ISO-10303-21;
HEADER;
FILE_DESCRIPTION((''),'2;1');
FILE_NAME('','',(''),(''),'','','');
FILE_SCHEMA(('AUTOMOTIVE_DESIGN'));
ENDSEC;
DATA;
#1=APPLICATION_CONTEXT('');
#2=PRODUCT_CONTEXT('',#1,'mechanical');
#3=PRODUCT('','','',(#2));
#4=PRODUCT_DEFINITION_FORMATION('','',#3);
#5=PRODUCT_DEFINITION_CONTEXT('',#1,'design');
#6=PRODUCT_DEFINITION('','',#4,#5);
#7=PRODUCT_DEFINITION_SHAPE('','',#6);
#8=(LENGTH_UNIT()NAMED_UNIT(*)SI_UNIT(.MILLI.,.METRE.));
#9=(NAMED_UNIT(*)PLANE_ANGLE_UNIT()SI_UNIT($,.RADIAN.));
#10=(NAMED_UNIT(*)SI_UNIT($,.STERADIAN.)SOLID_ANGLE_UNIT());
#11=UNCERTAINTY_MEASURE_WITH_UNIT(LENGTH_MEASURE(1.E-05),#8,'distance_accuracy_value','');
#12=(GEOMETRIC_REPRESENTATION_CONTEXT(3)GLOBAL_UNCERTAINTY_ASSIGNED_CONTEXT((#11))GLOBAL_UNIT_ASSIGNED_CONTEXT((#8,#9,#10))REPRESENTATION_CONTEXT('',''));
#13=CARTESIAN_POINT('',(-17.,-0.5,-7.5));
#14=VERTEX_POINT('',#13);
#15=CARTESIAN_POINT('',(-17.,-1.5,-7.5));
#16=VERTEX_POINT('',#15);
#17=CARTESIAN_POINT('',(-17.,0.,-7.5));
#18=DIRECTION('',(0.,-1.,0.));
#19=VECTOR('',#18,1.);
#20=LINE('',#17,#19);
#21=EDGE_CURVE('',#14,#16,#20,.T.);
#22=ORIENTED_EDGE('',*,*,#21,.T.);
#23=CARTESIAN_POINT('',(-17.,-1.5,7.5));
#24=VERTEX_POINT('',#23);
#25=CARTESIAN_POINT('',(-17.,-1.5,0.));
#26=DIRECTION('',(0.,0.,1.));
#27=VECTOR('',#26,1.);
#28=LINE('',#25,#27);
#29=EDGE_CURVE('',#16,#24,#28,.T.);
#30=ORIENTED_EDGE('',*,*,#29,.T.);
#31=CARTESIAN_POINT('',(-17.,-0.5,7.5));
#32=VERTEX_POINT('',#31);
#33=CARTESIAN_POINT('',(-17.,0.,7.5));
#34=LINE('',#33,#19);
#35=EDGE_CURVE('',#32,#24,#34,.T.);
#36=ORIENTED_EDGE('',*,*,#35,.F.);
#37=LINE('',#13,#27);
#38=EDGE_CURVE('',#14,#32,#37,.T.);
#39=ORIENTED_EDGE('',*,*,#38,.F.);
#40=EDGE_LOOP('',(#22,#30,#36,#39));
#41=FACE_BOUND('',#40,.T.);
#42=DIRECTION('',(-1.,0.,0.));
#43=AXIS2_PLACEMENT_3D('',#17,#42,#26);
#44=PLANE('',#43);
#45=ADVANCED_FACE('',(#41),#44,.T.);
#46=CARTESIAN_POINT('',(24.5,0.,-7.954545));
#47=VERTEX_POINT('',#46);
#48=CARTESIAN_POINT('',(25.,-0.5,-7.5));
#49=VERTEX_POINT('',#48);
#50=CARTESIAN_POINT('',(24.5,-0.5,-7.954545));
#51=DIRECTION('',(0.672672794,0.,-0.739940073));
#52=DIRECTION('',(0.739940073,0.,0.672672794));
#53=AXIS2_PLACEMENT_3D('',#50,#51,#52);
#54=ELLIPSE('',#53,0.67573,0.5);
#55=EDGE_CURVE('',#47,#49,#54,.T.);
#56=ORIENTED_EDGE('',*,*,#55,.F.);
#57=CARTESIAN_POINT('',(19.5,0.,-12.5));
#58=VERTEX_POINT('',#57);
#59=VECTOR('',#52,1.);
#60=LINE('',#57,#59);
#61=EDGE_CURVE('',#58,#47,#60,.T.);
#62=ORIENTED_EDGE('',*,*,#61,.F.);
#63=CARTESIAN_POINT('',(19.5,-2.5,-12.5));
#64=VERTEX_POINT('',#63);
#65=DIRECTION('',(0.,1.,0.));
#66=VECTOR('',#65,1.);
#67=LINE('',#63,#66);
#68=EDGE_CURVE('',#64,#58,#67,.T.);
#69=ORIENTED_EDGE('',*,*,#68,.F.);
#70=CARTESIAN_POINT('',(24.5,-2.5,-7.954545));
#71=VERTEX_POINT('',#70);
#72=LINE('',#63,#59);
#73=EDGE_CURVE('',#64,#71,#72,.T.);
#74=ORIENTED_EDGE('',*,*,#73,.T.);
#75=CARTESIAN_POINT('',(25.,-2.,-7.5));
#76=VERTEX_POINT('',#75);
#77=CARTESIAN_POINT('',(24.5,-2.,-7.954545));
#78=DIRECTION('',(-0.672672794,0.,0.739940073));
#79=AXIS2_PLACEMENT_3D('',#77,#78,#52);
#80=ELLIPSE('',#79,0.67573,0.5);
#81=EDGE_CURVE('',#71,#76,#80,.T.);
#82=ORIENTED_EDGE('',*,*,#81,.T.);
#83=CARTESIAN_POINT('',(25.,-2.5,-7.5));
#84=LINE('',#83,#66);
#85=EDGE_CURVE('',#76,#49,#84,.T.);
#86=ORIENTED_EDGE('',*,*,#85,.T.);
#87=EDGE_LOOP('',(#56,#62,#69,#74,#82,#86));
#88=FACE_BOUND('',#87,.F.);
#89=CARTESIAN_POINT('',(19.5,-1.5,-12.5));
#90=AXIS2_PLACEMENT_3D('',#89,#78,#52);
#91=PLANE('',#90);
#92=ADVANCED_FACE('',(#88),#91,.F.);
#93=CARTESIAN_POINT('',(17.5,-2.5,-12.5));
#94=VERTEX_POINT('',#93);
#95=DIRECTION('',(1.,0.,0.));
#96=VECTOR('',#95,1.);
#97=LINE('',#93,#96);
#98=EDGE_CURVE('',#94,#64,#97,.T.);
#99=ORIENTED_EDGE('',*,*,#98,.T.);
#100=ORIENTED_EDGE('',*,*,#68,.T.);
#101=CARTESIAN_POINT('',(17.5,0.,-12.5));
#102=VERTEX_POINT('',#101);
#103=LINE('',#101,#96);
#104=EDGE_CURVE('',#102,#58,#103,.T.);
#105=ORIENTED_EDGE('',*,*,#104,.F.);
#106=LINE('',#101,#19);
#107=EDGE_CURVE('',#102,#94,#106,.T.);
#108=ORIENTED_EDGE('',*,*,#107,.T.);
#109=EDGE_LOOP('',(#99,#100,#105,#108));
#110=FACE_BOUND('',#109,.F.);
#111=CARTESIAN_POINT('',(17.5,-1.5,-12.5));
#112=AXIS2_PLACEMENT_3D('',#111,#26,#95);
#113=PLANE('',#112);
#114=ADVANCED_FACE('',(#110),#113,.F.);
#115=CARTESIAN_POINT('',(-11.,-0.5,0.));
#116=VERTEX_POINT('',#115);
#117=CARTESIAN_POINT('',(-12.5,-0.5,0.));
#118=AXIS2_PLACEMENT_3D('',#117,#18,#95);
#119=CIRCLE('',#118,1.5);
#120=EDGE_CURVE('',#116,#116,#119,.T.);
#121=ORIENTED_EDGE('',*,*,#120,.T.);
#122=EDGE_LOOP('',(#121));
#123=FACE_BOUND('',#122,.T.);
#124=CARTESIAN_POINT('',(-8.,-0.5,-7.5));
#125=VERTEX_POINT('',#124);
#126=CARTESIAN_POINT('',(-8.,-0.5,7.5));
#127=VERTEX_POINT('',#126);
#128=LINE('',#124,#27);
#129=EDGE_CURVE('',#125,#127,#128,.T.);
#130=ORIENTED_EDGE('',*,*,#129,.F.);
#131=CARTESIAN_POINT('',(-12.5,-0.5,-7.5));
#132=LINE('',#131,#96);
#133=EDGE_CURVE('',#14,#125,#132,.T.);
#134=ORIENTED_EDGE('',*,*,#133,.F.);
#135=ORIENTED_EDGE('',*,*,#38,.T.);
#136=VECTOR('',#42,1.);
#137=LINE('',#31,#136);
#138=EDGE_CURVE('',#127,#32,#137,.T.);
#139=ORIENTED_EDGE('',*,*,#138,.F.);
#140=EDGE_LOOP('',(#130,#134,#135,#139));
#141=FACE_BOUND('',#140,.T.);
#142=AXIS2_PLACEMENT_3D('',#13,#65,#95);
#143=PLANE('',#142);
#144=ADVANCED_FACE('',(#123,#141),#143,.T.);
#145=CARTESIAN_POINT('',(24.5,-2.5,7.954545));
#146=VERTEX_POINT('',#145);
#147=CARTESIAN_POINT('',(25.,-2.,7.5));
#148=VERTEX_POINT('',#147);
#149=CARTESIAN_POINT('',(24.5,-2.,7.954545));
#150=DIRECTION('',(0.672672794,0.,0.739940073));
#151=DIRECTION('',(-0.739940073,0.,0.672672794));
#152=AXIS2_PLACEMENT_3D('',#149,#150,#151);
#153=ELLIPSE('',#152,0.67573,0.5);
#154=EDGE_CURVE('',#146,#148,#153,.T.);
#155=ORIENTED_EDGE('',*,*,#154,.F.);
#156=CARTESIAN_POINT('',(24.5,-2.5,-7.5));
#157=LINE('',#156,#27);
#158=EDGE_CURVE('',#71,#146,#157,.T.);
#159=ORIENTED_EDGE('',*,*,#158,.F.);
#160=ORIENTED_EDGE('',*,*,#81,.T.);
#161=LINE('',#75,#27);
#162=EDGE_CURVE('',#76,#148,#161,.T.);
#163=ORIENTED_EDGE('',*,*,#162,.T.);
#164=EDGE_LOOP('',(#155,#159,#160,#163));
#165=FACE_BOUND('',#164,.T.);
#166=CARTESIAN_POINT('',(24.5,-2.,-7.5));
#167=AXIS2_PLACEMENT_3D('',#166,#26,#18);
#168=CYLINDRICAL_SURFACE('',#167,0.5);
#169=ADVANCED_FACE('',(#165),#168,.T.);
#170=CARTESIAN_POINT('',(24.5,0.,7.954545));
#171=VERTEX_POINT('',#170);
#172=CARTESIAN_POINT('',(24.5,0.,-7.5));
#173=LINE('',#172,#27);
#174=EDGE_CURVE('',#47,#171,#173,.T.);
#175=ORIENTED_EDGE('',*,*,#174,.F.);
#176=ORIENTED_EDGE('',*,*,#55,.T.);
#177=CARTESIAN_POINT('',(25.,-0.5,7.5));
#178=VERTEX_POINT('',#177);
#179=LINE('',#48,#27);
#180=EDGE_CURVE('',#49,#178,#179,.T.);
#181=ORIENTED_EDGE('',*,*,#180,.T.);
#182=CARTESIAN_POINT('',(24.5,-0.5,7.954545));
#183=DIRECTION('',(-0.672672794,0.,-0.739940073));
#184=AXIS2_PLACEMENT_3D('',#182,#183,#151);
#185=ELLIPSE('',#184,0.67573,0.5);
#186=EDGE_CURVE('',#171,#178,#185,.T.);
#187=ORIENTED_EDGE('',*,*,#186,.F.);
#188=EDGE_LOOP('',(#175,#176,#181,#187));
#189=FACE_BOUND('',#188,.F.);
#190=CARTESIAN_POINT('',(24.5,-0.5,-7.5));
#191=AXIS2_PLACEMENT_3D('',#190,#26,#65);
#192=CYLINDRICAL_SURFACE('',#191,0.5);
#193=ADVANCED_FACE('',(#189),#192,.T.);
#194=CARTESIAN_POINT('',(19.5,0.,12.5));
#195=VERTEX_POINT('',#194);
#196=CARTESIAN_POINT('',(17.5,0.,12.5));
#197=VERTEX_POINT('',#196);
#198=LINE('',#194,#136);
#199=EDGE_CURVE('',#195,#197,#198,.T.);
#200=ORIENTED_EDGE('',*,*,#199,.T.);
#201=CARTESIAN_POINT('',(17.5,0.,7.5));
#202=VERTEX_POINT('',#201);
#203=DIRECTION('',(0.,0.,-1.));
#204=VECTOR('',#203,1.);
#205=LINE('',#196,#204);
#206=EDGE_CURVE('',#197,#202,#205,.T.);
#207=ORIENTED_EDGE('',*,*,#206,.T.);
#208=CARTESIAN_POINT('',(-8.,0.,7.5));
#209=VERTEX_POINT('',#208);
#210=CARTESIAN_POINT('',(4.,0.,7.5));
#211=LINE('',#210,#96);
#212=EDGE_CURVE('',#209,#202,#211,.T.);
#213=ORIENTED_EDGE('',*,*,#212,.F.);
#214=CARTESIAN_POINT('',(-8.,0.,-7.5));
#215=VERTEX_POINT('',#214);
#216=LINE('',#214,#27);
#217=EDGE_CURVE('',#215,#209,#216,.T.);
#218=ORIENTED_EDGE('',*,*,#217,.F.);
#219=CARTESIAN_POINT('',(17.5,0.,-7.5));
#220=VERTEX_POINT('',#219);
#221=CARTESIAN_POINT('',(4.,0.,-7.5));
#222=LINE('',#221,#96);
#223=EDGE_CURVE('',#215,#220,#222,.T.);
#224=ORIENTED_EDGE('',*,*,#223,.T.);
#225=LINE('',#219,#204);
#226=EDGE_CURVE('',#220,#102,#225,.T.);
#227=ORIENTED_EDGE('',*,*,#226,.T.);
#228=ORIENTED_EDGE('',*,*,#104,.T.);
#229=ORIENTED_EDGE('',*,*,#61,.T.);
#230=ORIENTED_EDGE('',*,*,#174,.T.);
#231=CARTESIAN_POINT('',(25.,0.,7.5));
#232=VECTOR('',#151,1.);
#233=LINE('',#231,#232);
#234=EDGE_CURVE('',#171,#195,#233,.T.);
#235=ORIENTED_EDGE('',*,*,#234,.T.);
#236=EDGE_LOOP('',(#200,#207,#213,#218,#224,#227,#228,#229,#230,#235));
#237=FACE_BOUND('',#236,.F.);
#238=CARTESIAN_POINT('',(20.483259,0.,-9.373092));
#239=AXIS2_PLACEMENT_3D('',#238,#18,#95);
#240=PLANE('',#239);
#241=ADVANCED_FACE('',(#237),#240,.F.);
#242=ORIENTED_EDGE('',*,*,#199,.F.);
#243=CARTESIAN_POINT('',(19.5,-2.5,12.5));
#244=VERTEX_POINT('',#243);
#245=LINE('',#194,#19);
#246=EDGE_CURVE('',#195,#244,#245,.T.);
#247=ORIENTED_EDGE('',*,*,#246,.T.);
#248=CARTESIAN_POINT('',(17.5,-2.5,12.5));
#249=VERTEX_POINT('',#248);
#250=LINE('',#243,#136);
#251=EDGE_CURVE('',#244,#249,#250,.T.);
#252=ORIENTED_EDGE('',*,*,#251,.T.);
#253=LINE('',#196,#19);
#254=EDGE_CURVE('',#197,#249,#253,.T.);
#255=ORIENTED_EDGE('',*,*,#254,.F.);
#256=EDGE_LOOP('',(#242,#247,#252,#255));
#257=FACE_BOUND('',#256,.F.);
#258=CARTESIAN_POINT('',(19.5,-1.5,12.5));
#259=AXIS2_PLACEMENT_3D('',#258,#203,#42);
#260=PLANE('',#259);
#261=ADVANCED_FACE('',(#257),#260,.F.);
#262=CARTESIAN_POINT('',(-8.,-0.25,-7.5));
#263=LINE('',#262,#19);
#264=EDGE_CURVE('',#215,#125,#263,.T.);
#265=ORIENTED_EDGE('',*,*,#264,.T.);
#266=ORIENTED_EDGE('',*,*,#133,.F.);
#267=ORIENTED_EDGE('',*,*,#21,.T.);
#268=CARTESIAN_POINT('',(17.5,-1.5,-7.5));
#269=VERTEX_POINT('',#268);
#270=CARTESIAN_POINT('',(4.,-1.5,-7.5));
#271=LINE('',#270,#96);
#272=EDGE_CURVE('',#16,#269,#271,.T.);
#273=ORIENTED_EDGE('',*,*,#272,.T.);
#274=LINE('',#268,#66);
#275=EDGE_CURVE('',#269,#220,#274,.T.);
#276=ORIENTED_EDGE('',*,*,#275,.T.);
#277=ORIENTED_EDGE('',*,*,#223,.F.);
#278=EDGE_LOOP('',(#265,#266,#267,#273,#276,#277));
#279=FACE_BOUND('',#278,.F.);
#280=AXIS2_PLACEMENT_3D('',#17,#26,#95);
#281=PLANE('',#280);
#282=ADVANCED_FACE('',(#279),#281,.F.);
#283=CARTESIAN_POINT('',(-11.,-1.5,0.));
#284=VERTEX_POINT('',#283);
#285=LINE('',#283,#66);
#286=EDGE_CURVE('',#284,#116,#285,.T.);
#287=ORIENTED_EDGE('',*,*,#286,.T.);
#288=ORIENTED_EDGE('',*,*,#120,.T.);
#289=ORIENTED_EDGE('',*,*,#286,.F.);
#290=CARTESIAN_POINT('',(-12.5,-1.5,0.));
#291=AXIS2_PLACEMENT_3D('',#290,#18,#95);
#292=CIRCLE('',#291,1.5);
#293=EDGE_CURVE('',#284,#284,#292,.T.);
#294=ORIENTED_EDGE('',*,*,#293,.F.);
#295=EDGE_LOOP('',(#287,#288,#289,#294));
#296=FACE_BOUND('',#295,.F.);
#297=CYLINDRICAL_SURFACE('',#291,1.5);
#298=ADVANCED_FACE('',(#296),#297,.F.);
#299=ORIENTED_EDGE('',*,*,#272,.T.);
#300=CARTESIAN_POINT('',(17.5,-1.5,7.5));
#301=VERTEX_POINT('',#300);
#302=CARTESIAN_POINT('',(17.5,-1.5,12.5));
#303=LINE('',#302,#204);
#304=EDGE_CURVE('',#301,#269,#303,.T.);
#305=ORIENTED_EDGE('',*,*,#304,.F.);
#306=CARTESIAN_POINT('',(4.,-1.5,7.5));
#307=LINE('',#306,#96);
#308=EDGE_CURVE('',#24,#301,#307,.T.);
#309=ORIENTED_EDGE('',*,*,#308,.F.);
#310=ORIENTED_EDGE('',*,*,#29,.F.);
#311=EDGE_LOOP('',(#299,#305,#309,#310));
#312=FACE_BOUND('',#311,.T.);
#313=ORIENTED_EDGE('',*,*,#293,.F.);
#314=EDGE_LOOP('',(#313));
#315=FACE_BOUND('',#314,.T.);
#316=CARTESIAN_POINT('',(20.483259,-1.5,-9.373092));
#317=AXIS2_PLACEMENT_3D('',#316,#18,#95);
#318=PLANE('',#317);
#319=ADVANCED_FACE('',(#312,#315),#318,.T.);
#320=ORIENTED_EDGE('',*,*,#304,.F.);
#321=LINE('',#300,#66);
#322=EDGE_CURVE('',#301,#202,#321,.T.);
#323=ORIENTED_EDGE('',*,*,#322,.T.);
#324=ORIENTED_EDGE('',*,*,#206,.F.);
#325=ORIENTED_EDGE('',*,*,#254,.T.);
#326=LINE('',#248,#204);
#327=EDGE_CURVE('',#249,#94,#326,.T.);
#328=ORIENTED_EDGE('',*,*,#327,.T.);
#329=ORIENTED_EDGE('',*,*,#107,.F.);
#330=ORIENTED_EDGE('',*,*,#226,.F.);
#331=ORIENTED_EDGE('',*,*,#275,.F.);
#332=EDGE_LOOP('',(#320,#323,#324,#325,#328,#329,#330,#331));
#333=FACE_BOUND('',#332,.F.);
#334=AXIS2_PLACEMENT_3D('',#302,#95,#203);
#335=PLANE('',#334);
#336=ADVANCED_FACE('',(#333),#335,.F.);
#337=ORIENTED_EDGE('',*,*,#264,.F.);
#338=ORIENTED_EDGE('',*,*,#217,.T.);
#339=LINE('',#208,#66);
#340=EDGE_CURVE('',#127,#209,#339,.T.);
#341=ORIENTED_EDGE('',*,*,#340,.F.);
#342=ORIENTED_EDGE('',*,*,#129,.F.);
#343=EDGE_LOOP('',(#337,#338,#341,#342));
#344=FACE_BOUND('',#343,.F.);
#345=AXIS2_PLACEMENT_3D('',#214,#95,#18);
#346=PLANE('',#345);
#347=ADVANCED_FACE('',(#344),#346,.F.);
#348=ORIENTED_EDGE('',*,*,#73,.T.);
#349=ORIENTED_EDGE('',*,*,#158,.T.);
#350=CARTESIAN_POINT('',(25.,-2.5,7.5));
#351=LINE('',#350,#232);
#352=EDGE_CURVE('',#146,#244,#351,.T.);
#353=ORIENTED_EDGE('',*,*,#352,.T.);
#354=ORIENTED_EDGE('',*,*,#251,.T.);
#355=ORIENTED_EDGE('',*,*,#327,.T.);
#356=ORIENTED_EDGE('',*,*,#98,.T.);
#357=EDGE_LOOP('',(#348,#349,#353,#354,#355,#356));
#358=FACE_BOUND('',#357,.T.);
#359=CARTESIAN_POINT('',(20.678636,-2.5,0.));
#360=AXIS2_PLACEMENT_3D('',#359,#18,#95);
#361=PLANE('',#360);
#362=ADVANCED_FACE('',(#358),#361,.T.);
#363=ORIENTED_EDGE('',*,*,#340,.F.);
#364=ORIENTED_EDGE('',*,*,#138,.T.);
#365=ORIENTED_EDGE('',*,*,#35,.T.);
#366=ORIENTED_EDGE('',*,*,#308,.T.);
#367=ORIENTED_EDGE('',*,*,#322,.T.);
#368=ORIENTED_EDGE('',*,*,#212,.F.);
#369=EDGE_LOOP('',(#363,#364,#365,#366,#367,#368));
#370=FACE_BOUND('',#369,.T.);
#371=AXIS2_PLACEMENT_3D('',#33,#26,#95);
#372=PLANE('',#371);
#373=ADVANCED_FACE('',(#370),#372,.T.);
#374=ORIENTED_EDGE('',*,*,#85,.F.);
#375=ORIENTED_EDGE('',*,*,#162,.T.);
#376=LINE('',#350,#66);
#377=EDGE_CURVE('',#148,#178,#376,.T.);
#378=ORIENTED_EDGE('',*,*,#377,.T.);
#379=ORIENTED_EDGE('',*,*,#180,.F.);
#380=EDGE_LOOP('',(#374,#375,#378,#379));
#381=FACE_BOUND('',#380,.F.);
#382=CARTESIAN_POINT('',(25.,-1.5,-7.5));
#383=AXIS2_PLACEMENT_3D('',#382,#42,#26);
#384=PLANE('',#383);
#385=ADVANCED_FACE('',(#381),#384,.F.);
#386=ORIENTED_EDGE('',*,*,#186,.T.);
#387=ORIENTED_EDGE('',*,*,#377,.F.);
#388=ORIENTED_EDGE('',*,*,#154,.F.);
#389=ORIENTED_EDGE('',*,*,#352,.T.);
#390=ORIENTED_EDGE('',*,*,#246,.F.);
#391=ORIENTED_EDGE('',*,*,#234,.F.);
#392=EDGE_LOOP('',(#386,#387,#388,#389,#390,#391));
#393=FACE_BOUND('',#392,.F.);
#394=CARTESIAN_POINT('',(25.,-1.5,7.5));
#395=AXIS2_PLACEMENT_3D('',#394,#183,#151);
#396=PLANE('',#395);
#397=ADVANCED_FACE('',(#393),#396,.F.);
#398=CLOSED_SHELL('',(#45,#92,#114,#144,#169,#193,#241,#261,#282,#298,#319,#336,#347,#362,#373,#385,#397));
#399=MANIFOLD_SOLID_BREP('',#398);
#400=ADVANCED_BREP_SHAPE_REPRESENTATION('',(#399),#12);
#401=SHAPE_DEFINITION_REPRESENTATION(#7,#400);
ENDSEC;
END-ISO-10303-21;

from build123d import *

# Parameters (mm, degrees)
F0_W     = 42
F0_H     = 15
F1_DEPTH = 1.5
F2_R     = 1.5
F3_DEPTH = 1.501
F5_DEPTH = 1.5
F6_W     = 9
F6_H     = 0.5
F7_DEPTH = 20.001
F9_DEPTH = 1
F10_R    = 0.5


with BuildPart() as f1:
    # F0 (on Front) → F1 (new body)
    with BuildSketch(Plane.XZ):
        with Locations((4, 0)):
            Rectangle(F0_W, F0_H)
    extrude(amount=F1_DEPTH)

    # F2 (on face) → F3 (cut, through all)
    with BuildSketch(Plane.XZ.offset(1.5)):
        with Locations((-12.5, 0)):
            Circle(F2_R)
    extrude(amount=-F3_DEPTH, mode=Mode.SUBTRACT)

    # F4 (on face) → F5 (join, through all)
    with BuildSketch(Plane.XZ.offset(1.5)):
        Polygon((19.5, -12.5), (25, -7.5), (17.5, -7.5), (17.5, -12.5), align=None)
        Polygon((17.5, 7.5), (25, 7.5), (19.5, 12.5), (17.5, 12.5), align=None)
    extrude(amount=-F5_DEPTH)

    # F6 (on face) → F7 (cut, through all)
    with BuildSketch(Plane(origin=(0, 0, -7.5), x_dir=(1, 0, 0), z_dir=(0, 0, -1))):
        with Locations((-12.5, 0.25)):
            Rectangle(F6_W, F6_H)
    extrude(amount=-F7_DEPTH, mode=Mode.SUBTRACT)

    # F8 (on face) → F9 (join)
    with BuildSketch(Plane.XZ.offset(1.5)):
        Polygon((25, 7.5), (19.5, 12.5), (17.5, 12.5), (17.5, -12.5), (19.5, -12.5), (25, -7.5), align=None)
    extrude(amount=F9_DEPTH)

    # F10
    f10_edges = [f1.edges().sort_by_distance(p)[0] for p in [
        (25, -2.5, 0),
        (25, 0, 0),
    ]]
    fillet(f10_edges, radius=F10_R)


solid = f1.part
